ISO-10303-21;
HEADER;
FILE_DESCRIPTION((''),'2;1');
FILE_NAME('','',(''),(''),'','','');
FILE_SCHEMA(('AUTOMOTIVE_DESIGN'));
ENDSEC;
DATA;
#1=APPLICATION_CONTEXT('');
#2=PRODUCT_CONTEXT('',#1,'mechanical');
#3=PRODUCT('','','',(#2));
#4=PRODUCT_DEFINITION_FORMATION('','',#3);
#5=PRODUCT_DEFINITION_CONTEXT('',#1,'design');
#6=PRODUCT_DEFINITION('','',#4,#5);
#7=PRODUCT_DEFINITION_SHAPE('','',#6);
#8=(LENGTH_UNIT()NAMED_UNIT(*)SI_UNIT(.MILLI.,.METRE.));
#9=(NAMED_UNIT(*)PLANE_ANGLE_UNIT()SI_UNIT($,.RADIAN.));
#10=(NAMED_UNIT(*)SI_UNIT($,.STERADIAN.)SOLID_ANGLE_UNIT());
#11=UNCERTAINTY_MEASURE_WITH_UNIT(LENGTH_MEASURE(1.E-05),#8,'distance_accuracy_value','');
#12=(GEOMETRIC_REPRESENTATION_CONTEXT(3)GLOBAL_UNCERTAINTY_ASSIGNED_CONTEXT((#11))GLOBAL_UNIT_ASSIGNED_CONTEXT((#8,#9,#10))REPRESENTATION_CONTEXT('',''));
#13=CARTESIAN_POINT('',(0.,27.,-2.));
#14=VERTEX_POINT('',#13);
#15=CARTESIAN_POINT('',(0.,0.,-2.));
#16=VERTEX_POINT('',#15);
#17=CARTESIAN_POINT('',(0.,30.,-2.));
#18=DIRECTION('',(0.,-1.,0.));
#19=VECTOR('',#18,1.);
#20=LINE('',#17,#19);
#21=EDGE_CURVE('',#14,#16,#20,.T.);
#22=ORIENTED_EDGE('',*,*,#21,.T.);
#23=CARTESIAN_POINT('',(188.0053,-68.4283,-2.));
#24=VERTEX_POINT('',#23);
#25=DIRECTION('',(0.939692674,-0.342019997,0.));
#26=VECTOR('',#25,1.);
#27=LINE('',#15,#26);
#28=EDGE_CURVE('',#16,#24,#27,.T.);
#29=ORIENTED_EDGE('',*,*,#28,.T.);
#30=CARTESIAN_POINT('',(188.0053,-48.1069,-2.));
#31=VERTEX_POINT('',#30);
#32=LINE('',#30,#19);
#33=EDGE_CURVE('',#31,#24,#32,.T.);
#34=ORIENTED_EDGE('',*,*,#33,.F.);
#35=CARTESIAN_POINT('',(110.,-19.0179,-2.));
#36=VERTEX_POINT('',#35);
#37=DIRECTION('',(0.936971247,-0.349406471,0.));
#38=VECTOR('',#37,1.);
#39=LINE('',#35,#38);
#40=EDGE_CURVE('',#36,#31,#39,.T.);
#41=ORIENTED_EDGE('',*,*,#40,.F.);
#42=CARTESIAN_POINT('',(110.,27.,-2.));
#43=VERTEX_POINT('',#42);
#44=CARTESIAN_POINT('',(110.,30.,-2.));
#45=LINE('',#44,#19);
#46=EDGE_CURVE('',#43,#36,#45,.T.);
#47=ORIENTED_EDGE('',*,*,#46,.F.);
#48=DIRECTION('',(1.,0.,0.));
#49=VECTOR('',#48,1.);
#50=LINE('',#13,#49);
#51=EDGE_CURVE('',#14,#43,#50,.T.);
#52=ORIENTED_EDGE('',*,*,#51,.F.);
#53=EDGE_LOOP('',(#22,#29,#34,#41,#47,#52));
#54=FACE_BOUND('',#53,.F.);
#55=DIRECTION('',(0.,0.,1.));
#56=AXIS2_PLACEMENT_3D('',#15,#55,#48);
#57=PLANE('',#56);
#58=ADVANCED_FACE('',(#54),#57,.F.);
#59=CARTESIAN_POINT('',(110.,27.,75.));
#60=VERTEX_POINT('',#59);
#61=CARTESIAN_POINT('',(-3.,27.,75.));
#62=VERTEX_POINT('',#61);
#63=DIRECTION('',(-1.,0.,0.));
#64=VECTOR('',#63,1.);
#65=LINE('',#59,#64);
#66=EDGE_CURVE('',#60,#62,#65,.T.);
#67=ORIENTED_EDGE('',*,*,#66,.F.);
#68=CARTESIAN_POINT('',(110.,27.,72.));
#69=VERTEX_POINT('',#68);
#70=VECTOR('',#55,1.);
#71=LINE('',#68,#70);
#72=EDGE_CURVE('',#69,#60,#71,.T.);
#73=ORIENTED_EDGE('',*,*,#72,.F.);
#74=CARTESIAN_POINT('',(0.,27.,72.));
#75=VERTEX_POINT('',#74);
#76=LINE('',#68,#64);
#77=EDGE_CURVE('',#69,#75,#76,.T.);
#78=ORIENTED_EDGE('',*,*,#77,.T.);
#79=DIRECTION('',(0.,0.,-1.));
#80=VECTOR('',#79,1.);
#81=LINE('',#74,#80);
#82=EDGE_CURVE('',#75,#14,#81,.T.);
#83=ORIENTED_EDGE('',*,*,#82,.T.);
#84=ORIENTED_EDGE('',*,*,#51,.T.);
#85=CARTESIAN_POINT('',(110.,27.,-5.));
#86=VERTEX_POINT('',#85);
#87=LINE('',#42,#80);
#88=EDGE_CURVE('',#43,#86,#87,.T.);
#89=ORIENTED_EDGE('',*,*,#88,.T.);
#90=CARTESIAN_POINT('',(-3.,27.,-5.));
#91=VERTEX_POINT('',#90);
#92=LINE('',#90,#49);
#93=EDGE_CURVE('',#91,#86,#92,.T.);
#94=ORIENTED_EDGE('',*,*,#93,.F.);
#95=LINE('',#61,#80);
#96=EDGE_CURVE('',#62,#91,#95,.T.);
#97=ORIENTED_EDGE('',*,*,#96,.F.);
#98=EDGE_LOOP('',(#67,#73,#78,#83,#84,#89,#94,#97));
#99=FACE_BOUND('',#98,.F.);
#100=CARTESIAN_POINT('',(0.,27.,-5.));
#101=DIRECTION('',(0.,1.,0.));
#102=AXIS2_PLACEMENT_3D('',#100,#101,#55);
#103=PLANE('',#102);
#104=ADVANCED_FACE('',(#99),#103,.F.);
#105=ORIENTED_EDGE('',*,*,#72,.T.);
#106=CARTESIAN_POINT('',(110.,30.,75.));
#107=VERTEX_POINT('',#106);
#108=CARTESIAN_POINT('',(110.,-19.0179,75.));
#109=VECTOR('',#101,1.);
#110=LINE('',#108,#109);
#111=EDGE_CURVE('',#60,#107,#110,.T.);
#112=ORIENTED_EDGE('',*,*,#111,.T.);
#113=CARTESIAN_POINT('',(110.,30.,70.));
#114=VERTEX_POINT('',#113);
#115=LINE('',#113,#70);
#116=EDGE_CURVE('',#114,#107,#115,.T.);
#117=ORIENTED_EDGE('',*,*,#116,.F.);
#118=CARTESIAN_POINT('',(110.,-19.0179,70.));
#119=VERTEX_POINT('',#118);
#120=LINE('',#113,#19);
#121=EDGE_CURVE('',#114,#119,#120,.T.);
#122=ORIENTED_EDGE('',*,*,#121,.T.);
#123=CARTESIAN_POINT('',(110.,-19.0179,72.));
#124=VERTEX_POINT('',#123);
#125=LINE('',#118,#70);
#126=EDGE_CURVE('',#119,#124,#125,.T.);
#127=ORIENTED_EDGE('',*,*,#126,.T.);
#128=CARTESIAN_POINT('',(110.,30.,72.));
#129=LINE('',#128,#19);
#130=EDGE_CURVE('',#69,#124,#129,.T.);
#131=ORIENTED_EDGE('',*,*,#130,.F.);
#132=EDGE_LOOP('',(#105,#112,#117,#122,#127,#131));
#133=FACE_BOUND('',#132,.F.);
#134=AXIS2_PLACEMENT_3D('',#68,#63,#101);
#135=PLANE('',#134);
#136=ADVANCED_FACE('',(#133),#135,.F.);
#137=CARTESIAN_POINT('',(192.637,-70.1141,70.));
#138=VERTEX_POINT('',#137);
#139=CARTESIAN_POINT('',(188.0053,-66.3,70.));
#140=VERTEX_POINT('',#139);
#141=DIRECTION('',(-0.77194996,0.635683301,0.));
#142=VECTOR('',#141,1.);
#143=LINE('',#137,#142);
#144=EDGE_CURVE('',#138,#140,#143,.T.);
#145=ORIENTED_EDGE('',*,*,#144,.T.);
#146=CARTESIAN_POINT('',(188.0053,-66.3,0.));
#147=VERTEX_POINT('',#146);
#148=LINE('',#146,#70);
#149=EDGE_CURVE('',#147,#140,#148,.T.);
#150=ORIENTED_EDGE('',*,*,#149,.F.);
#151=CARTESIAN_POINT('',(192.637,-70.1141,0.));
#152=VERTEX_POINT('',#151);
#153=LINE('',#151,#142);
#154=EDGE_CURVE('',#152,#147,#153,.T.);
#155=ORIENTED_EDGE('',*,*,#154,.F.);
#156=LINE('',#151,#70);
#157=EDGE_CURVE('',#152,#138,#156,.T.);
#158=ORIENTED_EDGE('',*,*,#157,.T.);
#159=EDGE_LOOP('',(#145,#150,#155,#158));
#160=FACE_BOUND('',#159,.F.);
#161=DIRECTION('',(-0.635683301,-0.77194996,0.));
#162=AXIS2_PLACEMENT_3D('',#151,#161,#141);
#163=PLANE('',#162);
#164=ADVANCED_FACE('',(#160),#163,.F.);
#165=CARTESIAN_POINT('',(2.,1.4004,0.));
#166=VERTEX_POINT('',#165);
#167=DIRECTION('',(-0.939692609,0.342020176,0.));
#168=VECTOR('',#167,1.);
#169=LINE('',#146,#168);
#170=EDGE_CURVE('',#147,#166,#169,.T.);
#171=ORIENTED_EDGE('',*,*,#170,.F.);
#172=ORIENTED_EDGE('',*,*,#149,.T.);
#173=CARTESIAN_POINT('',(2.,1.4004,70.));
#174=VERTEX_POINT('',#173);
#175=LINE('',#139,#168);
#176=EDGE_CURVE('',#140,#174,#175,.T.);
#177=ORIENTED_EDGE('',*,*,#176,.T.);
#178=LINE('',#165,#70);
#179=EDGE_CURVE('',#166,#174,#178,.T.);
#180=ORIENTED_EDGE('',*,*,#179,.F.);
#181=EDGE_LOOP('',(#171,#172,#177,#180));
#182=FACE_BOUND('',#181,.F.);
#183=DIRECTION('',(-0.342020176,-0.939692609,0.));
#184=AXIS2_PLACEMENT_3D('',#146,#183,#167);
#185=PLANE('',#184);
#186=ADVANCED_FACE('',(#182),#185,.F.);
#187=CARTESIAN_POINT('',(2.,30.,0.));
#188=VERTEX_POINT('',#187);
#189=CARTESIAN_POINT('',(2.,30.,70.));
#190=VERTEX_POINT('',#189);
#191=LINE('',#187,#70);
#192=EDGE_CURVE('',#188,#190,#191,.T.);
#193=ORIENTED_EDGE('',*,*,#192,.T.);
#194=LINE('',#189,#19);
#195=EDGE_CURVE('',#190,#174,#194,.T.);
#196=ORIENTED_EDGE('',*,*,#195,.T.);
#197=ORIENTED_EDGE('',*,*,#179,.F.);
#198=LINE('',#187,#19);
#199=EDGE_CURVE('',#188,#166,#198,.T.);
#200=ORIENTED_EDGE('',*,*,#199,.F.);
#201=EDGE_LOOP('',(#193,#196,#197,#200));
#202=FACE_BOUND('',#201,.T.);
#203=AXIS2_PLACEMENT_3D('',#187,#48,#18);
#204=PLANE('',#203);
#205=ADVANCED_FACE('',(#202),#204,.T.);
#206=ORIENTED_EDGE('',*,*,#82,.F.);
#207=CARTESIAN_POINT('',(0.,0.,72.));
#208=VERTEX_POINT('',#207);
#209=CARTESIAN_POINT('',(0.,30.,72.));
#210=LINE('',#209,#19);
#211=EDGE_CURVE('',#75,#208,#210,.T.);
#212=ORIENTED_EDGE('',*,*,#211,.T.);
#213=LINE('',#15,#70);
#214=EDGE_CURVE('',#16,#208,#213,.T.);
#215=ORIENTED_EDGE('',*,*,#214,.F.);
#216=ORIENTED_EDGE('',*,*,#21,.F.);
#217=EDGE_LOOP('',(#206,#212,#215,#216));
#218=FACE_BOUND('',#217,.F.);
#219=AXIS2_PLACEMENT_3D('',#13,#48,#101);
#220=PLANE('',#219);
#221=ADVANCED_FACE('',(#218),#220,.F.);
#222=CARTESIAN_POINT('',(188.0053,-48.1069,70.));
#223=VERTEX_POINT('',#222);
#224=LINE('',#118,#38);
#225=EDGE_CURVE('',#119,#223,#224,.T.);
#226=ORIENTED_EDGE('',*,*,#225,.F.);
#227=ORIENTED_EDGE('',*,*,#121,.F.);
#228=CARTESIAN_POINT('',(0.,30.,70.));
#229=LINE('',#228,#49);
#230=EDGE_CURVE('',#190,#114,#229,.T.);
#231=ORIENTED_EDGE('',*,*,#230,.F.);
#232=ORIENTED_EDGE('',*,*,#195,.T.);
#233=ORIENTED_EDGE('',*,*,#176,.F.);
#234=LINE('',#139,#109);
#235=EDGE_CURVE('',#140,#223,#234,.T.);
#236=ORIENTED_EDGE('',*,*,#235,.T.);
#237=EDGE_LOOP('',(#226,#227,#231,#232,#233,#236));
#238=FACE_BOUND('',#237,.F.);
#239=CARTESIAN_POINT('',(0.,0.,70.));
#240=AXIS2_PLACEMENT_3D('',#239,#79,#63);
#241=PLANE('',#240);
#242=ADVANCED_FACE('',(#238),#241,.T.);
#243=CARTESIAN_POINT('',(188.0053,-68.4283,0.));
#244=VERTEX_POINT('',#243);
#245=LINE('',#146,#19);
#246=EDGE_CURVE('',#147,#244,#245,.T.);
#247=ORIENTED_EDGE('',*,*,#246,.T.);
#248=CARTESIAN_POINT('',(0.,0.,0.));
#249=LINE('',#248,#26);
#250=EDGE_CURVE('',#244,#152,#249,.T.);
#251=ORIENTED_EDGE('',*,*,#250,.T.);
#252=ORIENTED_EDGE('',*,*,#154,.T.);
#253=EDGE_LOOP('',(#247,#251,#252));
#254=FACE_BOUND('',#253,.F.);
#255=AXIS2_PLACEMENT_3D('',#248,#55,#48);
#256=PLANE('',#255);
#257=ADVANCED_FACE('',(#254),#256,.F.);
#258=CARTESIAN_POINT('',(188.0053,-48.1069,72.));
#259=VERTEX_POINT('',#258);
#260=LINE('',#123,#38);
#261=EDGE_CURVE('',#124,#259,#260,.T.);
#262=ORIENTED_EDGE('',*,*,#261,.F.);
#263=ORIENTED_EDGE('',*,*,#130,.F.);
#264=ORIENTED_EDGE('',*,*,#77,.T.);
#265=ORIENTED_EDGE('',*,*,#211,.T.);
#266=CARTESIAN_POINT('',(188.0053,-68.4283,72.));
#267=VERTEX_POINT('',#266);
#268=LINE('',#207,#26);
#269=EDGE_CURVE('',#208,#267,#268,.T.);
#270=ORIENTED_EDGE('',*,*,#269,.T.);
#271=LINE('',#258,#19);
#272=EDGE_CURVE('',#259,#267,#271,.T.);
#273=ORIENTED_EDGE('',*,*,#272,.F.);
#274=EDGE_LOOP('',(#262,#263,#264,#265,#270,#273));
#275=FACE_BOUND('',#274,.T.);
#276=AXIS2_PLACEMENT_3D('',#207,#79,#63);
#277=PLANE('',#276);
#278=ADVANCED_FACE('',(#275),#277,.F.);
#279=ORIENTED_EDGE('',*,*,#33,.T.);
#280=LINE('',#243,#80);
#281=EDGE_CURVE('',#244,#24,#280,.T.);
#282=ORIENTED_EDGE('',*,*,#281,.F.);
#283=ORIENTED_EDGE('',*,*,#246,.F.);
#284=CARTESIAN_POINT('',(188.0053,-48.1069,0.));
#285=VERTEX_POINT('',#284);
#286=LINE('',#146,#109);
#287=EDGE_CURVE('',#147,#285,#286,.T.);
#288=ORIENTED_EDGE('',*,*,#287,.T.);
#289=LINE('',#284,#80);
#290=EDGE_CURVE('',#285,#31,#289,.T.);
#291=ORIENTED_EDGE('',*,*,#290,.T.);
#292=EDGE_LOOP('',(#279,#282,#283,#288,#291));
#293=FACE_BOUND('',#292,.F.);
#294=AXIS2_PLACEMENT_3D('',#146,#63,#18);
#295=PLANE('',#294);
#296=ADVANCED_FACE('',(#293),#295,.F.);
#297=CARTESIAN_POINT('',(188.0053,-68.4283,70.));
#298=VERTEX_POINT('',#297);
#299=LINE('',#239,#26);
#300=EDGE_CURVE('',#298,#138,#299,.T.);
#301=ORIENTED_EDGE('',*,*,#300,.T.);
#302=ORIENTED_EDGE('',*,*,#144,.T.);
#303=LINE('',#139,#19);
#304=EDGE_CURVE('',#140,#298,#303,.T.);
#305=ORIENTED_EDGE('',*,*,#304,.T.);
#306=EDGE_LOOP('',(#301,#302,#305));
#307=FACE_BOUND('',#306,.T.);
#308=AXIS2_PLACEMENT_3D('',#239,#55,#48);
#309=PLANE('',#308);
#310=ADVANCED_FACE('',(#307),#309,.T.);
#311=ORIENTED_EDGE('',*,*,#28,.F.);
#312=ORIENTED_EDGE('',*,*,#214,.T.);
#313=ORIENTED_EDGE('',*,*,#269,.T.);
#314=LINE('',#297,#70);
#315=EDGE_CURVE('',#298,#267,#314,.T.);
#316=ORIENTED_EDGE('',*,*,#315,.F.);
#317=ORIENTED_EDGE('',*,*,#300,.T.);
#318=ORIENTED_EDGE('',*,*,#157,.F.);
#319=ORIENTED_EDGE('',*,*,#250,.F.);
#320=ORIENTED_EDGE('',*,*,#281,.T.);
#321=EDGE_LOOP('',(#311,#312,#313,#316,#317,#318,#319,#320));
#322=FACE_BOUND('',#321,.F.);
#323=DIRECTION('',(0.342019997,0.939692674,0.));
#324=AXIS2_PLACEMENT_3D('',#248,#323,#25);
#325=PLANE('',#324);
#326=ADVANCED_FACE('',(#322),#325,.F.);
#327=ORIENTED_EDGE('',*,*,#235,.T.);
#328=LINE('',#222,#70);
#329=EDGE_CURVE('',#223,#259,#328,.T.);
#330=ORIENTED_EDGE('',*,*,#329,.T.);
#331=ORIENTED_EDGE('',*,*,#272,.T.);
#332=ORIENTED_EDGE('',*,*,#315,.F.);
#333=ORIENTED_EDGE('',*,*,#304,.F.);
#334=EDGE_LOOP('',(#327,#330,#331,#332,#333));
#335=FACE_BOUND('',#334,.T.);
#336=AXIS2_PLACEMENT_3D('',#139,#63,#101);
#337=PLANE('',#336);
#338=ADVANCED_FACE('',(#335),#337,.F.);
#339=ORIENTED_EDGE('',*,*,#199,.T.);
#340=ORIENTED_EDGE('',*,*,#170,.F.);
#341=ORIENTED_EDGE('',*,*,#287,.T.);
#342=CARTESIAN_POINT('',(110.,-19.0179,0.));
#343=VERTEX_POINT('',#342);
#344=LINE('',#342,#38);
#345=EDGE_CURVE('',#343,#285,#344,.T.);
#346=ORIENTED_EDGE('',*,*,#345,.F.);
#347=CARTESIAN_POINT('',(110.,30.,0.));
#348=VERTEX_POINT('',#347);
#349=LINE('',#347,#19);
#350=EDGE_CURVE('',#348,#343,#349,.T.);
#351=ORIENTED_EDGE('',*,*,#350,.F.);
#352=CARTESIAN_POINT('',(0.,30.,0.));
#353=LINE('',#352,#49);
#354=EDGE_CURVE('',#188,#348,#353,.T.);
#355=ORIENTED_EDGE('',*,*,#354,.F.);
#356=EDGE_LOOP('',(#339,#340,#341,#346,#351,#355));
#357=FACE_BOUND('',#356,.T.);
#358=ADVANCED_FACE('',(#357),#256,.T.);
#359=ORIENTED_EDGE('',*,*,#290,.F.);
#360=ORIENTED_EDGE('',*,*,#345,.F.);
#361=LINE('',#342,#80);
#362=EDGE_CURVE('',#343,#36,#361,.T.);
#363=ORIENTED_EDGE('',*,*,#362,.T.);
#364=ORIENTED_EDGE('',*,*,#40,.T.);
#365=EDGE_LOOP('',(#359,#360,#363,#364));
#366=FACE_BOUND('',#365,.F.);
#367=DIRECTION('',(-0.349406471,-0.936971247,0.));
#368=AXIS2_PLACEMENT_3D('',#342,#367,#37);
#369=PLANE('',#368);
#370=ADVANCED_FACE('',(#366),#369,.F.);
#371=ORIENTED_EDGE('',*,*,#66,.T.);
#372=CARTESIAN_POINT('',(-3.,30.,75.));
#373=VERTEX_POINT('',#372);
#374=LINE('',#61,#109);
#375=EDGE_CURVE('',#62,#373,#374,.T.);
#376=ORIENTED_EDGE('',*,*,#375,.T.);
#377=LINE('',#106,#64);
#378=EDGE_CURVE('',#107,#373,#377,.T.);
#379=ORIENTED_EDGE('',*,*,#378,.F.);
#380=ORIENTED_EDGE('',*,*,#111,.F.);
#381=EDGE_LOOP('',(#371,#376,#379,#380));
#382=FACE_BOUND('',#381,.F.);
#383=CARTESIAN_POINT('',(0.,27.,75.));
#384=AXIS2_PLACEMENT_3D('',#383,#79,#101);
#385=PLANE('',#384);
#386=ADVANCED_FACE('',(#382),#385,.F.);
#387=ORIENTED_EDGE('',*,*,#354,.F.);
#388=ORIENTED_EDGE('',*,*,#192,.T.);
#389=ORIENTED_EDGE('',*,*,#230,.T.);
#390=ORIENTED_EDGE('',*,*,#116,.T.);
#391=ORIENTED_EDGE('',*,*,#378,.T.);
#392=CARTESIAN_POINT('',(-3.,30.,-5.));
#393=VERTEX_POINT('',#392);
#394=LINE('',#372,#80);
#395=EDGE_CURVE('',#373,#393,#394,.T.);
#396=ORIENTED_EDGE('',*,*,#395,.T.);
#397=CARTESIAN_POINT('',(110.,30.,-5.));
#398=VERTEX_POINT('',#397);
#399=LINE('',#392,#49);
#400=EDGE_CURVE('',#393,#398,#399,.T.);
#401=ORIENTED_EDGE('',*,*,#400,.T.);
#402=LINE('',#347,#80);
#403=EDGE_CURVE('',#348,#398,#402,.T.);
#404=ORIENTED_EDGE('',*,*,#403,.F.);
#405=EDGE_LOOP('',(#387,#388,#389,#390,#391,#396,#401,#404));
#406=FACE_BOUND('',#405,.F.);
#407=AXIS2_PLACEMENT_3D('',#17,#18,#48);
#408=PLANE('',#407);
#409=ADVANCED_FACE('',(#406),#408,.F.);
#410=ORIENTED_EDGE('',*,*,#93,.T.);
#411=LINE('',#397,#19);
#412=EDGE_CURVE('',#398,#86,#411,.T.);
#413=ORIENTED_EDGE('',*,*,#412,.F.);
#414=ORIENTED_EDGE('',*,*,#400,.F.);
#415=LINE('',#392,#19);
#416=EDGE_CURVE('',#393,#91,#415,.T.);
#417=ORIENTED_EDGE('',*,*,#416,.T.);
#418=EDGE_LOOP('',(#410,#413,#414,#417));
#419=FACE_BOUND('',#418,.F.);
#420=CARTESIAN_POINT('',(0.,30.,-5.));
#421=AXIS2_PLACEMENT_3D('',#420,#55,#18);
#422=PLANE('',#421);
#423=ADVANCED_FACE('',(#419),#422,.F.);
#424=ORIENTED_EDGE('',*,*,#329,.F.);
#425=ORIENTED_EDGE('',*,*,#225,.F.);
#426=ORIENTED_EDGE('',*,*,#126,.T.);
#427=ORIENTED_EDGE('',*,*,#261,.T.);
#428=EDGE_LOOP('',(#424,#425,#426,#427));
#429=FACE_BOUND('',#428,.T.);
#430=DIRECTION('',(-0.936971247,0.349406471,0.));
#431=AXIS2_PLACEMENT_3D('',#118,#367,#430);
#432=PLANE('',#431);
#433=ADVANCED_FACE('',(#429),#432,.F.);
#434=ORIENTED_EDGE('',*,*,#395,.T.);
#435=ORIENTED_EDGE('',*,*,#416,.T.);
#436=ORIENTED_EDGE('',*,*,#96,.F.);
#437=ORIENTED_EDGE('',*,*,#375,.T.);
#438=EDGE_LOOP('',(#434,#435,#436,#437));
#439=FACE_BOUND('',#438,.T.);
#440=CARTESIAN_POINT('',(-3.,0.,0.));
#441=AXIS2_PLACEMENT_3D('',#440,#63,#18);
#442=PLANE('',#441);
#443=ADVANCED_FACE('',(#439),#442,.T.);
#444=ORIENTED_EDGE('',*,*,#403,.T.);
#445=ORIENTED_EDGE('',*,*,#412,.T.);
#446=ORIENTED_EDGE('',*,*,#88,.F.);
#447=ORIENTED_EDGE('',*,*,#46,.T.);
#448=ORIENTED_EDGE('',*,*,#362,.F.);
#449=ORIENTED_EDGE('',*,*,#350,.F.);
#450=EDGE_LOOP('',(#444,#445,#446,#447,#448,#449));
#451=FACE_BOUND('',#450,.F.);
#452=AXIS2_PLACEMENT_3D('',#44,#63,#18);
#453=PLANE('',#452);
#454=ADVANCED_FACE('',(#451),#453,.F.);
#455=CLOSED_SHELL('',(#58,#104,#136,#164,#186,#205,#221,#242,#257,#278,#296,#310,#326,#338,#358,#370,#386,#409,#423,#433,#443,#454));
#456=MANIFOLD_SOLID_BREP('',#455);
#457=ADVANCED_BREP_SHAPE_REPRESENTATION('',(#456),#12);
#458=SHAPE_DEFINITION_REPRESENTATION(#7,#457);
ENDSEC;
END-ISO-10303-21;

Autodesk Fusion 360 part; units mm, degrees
sketch "Sketch1" plane through (0, 0, 0) normal (0, 0, 1) x (1, 0, 0)
  line L0 (0, 0) -> (0, 30)
  line L1 (0, 0) -> (192.637, -70.1141)
  line L2 (0, 0) -> (200, 0) construction
  line L3 (192.637, -70.1141) -> (188.0053, -66.3)
  line L4 (192.637, -70.1141) -> (203.3355, -70.1141) construction
  line L5 (188.0053, -66.3) -> (2, 1.4004)
  line L6 (0, 30) -> (2, 30)
  line L7 (2, 30) -> (2, 1.4004)
  dimension "d2" = 30
  dimension "d3" = 20
  dimension "d4" = 205
  dimension "d6" = 6
  dimension "d10" = 2
  dimension "d13" = 140.529
extrude "Extrude1" add sketch "Sketch1" along normal blind 70 makes body 1
sketch "Sketch2" plane through (0, 0, 0) normal (0, 0, 1) x (1, 0, 0)
  line L0 (2, 1.4004) -> (2, 30)
  line L1 (0, 30) -> (110, 30)
  line L2 (110, 30) -> (110, -19.0179)
  line L3 (110, -19.0179) -> (188.0053, -48.1069)
  line L4 (188.0053, -66.3) -> (188.0053, -48.1069)
  line L5 (2, 30) -> (0, 30)
  line L6 (0, 30) -> (0, 0)
  line L7 (0, 30) -> (0, 29)
  line L8 (0, 0) -> (192.637, -70.1141)
  line L9 (0, 0) -> (192.7051, -70.1389)
  line L10 (188.0053, -66.3) -> (188.0053, -68.4283)
  point P0 (2, 30)
  point P1 (188.0053, -66.3)
  point P2 (0, 30)
  dimension "d16" = 110
extrude "Extrude2" add sketch "Sketch2" against normal blind 2 bodies 1
ref_plane "WorkPlane1" through (0, 0, 35) normal (0, 0, 1) x (1, 0, 0)
mirror "Mirror1" about plane through (0, 0, 35) normal (0, 0, 1) of bodies 1 makes body 2
sketch "Sketch3" plane through (0, 0, 72) normal (0, 0, 1) x (-1, 0, 0)
  line L0 (-110, -30) -> (0, -30)
  line L1 (0, -30) -> (0, 0)
  line L2 (0, 0) -> (-188.0053, 68.4283)
  line L3 (-188.0053, 68.4283) -> (-188.0053, 48.1069)
  line L4 (-188.0053, 48.1069) -> (-110, 19.0179)
  line L5 (-110, 19.0179) -> (-110, -30)
  line L6 (0, -30) -> (-110, -30)
  line L7 (-110, -30) -> (-110, -27)
  line L8 (-110, -27) -> (0, -27)
  line L9 (0, -27) -> (0, -30)
  dimension "d22" = 3
extrude "Extrude3" add sketch "Sketch3" along normal blind 3 contours L0 L1 L5 L6 L7 L8 L9 bodies 2
sketch "Sketch4" plane through (0, 0, -2) normal (0, 0, -1) x (1, 0, 0)
  line L0 (0, -30) -> (110, -30)
  line L1 (110, -30) -> (110, 19.0179)
  line L2 (110, 19.0179) -> (188.0053, 48.1069)
  line L3 (188.0053, 48.1069) -> (188.0053, 68.4283)
  line L4 (188.0053, 68.4283) -> (0, 0)
  line L5 (0, 0) -> (0, -30)
  line L6 (110, -30) -> (0, -30)
  line L7 (0, -30) -> (0, -27)
  line L8 (0, -27) -> (110, -27)
  line L9 (110, -27) -> (110, -30)
  dimension "d25" = 3
extrude "Extrude4" add sketch "Sketch4" along normal blind 3 contours L0 L1 L5 L6 L7 L8 L9 bodies 1
sketch "Sketch5" plane through (0, 0, 0) normal (-1, 0, 0) x (0, -1, 0)
  line L0 (0, 0) -> (0, 72)
  line L1 (0, 72) -> (-27, 72)
  line L2 (-27, 72) -> (-27, 75)
  line L3 (-27, 75) -> (-30, 75)
  line L4 (-30, 75) -> (-30, 0)
  line L5 (-30, 0) -> (0, 0)
  line L6 (-30, -5) -> (-27, -5)
  line L7 (-27, -5) -> (-27, 75)
  line L8 (-27, 75) -> (-30, 75)
  line L9 (-30, 75) -> (-30, -5)
  point P0 (-30, -5)
extrude "Extrude5" add sketch "Sketch5" along normal blind 3 contours L5 L6 L7 L9 | L2 L3 L4 L5 L7 L8 L9 bodies 1 2
